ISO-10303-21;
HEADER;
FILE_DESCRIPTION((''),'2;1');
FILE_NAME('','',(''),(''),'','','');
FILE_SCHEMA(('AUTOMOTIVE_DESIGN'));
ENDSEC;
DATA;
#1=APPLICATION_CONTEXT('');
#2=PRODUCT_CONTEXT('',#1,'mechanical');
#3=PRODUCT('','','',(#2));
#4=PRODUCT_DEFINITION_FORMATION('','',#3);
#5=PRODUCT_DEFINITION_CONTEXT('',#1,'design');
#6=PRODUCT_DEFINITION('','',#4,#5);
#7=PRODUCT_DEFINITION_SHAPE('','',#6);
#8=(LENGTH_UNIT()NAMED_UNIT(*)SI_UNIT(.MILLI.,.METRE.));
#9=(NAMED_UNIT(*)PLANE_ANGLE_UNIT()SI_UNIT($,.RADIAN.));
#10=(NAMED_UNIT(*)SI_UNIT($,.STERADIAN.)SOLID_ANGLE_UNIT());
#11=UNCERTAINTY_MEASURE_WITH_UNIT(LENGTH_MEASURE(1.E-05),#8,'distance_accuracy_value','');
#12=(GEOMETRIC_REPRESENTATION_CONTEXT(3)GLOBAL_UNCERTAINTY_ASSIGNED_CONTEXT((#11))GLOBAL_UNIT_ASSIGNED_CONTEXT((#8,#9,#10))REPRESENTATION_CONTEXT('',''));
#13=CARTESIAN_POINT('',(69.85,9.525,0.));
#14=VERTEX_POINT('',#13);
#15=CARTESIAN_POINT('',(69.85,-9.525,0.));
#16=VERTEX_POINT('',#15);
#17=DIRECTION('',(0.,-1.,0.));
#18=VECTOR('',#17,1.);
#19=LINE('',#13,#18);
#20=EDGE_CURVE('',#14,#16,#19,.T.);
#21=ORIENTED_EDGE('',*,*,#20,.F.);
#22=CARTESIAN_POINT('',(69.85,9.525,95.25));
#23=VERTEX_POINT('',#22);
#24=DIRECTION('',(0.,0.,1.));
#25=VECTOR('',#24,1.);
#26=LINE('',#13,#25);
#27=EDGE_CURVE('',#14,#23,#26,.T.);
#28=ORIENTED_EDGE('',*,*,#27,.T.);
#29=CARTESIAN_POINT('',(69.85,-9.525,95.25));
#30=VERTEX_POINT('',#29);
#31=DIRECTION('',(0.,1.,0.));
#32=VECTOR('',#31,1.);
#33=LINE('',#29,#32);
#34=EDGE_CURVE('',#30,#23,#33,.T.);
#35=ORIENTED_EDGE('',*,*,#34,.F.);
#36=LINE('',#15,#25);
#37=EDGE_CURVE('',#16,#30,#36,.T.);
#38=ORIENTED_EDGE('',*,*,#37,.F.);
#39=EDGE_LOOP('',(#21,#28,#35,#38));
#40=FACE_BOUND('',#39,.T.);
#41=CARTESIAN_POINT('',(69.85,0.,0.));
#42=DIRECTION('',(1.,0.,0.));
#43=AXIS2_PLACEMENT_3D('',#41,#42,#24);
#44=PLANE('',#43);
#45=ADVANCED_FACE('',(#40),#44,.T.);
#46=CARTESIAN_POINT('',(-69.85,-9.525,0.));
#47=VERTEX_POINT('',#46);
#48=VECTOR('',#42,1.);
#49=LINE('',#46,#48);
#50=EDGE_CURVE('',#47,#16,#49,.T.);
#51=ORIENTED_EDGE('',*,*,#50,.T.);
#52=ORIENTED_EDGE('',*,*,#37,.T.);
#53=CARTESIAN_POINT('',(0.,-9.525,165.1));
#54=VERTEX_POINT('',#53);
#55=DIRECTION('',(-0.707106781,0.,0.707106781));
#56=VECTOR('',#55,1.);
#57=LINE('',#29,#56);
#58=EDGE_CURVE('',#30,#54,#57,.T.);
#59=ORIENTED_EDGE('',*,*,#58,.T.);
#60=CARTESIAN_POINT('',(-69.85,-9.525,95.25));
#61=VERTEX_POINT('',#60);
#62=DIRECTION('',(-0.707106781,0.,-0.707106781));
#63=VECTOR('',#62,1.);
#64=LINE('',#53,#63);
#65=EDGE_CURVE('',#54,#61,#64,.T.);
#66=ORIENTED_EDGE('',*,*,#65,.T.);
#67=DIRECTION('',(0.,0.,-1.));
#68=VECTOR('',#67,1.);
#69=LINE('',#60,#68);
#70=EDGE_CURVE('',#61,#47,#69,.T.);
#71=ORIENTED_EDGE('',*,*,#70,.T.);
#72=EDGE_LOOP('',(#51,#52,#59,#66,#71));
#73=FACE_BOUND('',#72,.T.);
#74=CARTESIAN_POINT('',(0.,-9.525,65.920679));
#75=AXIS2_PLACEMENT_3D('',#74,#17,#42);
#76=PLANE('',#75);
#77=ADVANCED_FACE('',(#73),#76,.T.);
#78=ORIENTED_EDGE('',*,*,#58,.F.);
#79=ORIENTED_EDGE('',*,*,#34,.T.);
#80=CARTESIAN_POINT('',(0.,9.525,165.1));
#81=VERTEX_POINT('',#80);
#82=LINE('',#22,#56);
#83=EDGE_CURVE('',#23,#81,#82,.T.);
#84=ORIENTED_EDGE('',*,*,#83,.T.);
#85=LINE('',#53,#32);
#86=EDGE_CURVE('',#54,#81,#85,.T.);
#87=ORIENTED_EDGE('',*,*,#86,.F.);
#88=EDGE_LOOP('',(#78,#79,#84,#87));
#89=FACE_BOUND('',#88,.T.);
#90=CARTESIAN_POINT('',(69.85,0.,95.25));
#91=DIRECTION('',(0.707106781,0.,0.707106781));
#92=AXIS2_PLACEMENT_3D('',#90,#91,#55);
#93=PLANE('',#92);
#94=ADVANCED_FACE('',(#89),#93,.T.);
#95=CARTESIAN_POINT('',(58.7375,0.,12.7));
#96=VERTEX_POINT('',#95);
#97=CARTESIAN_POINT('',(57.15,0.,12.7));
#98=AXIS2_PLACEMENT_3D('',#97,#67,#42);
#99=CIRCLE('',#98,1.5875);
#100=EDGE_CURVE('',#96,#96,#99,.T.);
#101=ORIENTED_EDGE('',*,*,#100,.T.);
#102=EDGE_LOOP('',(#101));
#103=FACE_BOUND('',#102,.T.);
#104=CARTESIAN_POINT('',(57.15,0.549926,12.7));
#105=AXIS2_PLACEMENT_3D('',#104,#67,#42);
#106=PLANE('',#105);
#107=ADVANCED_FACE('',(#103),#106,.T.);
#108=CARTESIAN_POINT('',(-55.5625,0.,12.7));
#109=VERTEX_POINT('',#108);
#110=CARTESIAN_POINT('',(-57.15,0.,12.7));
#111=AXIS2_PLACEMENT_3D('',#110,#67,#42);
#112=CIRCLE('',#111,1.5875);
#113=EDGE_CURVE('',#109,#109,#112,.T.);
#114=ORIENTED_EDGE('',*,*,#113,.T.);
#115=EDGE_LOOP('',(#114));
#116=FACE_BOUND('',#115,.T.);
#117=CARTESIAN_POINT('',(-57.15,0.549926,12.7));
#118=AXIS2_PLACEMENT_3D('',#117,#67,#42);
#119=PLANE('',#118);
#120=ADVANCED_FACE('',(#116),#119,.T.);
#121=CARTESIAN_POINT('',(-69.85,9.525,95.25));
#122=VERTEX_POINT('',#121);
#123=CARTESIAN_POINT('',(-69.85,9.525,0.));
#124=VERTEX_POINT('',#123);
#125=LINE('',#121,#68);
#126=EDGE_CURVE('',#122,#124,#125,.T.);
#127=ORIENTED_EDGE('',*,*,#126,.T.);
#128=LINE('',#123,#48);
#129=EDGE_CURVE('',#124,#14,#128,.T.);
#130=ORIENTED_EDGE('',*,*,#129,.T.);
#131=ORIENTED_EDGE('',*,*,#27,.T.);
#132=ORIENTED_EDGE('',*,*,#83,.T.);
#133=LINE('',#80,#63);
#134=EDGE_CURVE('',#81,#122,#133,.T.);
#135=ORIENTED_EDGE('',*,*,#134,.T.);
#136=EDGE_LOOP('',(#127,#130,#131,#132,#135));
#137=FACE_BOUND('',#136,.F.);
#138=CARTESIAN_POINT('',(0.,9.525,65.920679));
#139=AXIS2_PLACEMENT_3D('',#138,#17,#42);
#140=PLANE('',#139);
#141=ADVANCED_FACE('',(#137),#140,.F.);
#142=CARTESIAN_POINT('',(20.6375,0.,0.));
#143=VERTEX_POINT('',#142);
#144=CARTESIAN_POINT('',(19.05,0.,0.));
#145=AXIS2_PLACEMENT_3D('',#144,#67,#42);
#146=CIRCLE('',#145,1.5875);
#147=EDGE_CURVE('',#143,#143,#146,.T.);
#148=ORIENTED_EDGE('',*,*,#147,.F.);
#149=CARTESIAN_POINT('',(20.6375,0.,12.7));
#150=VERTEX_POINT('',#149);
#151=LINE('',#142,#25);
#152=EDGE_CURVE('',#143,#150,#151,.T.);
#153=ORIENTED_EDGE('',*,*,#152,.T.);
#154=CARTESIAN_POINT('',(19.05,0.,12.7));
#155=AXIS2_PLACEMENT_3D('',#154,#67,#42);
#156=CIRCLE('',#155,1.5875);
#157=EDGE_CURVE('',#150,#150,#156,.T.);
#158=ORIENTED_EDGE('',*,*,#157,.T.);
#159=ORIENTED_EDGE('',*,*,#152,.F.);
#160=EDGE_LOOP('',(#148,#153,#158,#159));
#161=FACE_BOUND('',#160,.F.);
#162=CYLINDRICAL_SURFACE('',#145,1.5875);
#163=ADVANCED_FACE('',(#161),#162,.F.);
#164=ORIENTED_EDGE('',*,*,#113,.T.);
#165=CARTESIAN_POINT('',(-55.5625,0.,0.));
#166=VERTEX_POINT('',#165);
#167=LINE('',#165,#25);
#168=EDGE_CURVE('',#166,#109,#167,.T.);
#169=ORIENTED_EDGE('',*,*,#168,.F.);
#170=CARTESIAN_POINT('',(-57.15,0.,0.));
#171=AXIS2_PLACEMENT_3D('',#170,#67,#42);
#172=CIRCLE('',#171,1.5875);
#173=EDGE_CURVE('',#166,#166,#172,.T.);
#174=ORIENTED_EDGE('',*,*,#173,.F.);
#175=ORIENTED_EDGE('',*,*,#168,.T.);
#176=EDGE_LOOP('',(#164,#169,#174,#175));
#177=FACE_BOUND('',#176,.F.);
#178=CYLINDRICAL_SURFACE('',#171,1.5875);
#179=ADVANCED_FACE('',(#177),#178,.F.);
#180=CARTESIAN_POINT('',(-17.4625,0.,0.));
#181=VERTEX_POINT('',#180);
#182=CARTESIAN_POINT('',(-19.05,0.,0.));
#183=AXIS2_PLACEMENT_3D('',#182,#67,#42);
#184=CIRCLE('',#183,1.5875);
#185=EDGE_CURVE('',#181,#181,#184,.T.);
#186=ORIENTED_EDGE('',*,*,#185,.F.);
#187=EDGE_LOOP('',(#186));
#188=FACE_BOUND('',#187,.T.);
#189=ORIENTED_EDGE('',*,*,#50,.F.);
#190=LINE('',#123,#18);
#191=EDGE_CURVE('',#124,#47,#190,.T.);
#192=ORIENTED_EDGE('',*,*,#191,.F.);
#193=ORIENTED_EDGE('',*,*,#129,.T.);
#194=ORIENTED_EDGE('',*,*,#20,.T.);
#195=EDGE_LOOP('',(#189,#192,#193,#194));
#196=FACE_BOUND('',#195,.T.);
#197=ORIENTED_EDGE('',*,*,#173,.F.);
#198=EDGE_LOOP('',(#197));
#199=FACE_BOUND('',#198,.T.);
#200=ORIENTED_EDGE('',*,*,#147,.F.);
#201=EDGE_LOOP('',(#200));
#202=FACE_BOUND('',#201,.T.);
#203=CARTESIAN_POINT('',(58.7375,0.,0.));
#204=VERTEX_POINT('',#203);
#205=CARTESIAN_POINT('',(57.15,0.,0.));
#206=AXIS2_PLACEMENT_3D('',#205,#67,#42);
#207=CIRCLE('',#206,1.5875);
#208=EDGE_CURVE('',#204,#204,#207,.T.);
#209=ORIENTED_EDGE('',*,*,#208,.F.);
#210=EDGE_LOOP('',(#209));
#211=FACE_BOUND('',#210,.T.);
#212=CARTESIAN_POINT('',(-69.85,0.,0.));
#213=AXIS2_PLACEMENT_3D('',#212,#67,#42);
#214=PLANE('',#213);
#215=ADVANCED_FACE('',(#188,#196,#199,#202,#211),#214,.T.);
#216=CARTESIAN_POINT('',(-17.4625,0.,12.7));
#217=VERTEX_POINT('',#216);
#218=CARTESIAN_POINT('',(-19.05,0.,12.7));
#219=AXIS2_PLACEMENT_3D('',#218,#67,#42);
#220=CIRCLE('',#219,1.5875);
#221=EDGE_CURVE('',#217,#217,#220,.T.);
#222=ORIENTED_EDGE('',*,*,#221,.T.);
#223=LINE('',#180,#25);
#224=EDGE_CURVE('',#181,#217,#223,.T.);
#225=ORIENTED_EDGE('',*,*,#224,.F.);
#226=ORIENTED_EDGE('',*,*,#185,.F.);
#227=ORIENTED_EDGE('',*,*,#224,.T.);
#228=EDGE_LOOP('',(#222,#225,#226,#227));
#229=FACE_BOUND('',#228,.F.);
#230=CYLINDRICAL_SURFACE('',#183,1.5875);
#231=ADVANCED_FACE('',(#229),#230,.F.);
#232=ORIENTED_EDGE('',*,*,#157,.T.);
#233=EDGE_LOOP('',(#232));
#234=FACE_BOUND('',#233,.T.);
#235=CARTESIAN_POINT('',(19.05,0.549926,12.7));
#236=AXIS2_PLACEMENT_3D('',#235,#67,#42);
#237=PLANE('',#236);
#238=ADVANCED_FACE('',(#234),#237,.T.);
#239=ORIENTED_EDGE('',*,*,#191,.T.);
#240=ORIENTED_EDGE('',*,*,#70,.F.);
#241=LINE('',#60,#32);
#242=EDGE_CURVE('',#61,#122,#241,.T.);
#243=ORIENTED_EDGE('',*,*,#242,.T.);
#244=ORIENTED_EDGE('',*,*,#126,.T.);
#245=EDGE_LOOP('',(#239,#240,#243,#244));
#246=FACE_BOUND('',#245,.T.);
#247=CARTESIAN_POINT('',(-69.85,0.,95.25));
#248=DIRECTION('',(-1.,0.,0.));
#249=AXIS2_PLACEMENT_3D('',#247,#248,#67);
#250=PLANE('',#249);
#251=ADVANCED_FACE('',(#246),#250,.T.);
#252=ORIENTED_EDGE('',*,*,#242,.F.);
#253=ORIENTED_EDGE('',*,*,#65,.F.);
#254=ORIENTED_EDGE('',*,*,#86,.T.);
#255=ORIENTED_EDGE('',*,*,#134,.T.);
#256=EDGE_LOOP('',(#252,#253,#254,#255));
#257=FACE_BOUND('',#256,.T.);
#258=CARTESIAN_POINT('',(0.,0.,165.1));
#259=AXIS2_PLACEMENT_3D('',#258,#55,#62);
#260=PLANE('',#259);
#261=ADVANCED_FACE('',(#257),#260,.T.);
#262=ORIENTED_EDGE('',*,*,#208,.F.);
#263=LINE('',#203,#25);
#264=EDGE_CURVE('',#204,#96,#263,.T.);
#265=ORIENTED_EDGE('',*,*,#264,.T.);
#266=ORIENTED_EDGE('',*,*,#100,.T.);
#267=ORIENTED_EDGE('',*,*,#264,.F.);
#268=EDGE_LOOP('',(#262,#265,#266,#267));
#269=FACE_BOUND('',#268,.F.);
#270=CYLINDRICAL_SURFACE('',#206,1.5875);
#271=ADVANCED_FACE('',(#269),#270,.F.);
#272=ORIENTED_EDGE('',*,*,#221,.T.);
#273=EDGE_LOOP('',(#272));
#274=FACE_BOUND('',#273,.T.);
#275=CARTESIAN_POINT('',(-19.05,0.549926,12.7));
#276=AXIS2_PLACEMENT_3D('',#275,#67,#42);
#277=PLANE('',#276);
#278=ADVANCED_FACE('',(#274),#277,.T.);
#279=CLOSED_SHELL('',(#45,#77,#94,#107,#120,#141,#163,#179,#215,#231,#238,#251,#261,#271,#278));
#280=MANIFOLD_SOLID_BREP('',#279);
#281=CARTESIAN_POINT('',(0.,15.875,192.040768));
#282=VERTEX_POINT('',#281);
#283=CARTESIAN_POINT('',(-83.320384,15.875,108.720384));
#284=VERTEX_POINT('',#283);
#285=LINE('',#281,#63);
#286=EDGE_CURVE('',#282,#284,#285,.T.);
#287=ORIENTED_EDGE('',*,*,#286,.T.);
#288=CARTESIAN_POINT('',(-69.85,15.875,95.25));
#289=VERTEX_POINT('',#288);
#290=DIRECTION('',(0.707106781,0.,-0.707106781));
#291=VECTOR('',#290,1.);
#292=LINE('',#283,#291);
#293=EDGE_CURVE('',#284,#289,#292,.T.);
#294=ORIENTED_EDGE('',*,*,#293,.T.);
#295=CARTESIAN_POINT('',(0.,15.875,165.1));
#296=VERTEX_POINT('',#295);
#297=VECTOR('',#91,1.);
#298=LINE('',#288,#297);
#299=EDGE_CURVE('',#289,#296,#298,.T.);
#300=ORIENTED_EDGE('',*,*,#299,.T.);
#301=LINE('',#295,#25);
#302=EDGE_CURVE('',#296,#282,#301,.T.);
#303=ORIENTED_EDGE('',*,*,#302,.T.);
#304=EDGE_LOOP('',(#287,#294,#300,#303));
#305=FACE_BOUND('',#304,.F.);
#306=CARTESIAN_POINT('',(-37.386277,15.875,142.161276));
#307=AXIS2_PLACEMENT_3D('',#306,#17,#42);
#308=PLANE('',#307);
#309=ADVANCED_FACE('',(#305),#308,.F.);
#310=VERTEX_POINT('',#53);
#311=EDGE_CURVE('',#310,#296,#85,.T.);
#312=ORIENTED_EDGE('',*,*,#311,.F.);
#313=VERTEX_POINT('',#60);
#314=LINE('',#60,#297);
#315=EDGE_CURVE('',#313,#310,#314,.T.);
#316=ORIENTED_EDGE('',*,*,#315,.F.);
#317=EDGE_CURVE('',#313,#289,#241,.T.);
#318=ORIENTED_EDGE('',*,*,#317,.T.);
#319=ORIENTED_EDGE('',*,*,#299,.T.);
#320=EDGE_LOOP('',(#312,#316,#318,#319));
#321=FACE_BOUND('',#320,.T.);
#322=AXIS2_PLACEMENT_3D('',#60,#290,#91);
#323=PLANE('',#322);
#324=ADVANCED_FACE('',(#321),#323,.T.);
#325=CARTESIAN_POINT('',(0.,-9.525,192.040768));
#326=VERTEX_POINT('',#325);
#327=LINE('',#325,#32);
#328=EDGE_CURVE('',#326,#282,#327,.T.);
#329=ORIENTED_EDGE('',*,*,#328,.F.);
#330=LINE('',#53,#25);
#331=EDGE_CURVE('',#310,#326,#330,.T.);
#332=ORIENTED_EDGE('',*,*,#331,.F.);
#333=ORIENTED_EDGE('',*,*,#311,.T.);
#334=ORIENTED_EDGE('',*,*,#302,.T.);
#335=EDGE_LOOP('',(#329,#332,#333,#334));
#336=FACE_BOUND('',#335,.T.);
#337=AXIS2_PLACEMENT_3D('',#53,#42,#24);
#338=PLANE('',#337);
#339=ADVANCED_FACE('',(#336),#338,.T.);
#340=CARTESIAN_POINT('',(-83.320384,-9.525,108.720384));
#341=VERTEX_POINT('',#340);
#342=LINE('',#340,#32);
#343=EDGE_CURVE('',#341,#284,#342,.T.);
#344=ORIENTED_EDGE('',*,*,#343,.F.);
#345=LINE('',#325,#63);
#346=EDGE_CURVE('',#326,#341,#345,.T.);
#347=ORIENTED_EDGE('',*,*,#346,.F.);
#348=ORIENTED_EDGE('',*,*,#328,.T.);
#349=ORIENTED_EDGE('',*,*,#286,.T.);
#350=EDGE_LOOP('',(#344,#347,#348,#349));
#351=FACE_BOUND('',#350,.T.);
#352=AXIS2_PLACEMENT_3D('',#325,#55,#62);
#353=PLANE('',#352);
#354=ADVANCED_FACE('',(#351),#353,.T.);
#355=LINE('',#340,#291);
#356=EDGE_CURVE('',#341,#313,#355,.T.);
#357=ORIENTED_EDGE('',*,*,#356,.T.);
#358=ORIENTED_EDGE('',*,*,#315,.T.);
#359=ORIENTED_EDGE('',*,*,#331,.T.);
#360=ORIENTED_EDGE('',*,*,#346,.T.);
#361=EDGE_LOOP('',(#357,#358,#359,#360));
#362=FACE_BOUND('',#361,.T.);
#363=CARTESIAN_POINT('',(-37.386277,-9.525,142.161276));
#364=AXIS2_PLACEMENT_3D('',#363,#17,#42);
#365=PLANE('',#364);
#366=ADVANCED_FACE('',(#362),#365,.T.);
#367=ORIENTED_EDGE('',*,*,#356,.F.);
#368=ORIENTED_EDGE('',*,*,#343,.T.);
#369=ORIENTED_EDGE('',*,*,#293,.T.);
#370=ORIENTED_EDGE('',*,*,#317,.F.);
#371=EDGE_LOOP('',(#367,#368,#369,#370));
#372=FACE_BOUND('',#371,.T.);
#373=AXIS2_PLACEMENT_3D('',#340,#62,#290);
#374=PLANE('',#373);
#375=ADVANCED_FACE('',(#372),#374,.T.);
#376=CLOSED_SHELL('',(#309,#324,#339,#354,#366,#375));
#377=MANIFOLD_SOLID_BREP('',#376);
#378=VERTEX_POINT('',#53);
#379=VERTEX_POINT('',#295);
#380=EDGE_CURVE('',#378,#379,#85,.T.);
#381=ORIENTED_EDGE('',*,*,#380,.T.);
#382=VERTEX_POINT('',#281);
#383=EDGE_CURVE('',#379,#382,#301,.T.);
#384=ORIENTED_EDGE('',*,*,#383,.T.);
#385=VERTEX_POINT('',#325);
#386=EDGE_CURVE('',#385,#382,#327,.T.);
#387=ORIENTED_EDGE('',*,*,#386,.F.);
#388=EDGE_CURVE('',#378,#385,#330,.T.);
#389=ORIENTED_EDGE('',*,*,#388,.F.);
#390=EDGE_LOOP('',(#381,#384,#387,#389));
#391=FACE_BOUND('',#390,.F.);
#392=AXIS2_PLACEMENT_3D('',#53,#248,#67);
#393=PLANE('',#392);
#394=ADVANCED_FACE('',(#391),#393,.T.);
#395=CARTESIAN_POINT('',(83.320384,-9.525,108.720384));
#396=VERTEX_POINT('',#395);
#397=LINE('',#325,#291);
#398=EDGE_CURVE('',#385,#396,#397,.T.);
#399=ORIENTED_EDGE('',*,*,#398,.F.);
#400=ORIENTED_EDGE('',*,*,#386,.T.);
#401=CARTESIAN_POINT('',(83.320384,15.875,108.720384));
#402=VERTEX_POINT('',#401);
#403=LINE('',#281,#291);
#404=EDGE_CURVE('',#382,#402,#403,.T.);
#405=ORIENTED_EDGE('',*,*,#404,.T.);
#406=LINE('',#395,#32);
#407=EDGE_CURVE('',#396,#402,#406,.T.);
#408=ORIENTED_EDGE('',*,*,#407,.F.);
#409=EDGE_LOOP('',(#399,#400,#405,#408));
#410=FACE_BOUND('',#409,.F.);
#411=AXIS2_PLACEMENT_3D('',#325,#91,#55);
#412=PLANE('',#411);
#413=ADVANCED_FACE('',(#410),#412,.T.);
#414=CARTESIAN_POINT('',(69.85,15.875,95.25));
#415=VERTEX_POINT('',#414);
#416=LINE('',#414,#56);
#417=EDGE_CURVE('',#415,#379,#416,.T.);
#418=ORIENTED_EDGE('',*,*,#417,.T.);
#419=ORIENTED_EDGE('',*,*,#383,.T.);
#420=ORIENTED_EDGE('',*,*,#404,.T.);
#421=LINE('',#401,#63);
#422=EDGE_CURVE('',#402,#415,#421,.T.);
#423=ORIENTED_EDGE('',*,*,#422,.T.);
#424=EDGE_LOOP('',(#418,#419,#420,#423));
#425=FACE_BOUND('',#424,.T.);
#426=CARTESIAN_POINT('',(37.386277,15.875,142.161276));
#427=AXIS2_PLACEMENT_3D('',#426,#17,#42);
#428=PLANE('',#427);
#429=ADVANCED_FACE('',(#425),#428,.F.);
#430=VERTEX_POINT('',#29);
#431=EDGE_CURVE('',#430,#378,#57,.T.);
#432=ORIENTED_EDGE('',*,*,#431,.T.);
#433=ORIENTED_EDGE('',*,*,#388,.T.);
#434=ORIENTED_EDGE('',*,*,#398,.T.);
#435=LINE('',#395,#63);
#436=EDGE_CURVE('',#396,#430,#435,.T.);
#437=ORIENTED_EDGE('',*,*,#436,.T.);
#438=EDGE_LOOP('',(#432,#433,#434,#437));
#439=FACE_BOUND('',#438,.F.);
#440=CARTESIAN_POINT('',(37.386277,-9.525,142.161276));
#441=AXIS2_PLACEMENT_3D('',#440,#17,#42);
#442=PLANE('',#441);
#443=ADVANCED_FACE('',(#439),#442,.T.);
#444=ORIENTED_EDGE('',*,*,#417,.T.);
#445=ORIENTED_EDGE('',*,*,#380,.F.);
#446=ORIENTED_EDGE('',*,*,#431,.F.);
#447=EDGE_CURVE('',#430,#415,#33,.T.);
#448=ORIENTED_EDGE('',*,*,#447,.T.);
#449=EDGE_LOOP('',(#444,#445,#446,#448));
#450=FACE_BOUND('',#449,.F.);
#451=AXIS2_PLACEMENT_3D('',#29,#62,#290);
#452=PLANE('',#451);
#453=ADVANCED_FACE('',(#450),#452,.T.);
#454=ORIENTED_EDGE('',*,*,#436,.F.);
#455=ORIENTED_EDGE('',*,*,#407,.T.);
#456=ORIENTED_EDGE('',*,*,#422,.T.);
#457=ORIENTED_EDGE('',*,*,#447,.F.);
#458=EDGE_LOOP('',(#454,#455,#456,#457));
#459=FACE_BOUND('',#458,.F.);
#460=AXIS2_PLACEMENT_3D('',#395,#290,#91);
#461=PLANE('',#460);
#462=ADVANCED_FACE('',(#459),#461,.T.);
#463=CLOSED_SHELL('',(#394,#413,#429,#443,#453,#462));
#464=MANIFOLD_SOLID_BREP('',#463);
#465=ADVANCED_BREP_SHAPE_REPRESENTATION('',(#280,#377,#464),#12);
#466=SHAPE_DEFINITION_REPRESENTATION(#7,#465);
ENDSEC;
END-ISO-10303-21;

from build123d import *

# Parameters (mm, degrees)
F1_DEPTH = 9.525
F3_DEPTH = 25.4
F6_DEPTH = 12.7


with BuildPart() as f1:
    # F0 (on Front) → F1 (new body, symmetric)
    with BuildSketch(Plane.XZ):
        Polygon((-69.85, 95.25), (-69.85, 0), (69.85, 0), (69.85, 95.25), (0, 165.1), align=None)
    extrude(amount=F1_DEPTH, both=True)

    # F5 (on face) → F6 (cut)
    with BuildSketch(Plane(origin=(0, 0, 0), x_dir=(1, 0, 0), z_dir=(0, 0, -1))):
        with BuildLine():
            ThreePointArc((55.5625, 0), (57.15, -1.5875), (58.7375, 0))
            Line((58.7375, 0), (57.15, 0))
            Line((57.15, 0), (55.5625, 0))
        make_face()
        with BuildLine():
            Line((57.15, 0), (58.7375, 0))
            ThreePointArc((58.7375, 0), (57.15, 1.5875), (55.5625, 0))
            Line((55.5625, 0), (57.15, 0))
        make_face()
        with BuildLine():
            ThreePointArc((-58.7375, 0), (-57.15, -1.5875), (-55.5625, 0))
            Line((-55.5625, 0), (-57.15, 0))
            Line((-57.15, 0), (-58.7375, 0))
        make_face()
        with BuildLine():
            Line((-57.15, 0), (-55.5625, 0))
            ThreePointArc((-55.5625, 0), (-57.15, 1.5875), (-58.7375, 0))
            Line((-58.7375, 0), (-57.15, 0))
        make_face()
        with BuildLine():
            ThreePointArc((-20.6375, 0), (-19.05, -1.5875), (-17.4625, 0))
            Line((-17.4625, 0), (-19.05, 0))
            Line((-19.05, 0), (-20.6375, 0))
        make_face()
        with BuildLine():
            Line((-19.05, 0), (-17.4625, 0))
            ThreePointArc((-17.4625, 0), (-19.05, 1.5875), (-20.6375, 0))
            Line((-20.6375, 0), (-19.05, 0))
        make_face()
        with BuildLine():
            ThreePointArc((17.4625, 0), (19.05, -1.5875), (20.6375, 0))
            Line((20.6375, 0), (19.05, 0))
            Line((19.05, 0), (17.4625, 0))
        make_face()
        with BuildLine():
            Line((19.05, 0), (20.6375, 0))
            ThreePointArc((20.6375, 0), (19.05, 1.5875), (17.4625, 0))
            Line((17.4625, 0), (19.05, 0))
        make_face()
    extrude(amount=-F6_DEPTH, mode=Mode.SUBTRACT)


with BuildPart() as f3:
    # F2 (on face) → F3 (new body)
    with BuildSketch(Plane.XZ.offset(9.525)):
        Polygon((-83.320384, 108.720384), (-69.85, 95.25), (0, 165.1), (0, 192.040768), align=None)
    extrude(amount=-F3_DEPTH)


with BuildPart() as f4_1:
    # F4: instance of F3
    add(f3.part.mirror(Plane.YZ))


solid = Compound([f1.part, f3.part, f4_1.part])
